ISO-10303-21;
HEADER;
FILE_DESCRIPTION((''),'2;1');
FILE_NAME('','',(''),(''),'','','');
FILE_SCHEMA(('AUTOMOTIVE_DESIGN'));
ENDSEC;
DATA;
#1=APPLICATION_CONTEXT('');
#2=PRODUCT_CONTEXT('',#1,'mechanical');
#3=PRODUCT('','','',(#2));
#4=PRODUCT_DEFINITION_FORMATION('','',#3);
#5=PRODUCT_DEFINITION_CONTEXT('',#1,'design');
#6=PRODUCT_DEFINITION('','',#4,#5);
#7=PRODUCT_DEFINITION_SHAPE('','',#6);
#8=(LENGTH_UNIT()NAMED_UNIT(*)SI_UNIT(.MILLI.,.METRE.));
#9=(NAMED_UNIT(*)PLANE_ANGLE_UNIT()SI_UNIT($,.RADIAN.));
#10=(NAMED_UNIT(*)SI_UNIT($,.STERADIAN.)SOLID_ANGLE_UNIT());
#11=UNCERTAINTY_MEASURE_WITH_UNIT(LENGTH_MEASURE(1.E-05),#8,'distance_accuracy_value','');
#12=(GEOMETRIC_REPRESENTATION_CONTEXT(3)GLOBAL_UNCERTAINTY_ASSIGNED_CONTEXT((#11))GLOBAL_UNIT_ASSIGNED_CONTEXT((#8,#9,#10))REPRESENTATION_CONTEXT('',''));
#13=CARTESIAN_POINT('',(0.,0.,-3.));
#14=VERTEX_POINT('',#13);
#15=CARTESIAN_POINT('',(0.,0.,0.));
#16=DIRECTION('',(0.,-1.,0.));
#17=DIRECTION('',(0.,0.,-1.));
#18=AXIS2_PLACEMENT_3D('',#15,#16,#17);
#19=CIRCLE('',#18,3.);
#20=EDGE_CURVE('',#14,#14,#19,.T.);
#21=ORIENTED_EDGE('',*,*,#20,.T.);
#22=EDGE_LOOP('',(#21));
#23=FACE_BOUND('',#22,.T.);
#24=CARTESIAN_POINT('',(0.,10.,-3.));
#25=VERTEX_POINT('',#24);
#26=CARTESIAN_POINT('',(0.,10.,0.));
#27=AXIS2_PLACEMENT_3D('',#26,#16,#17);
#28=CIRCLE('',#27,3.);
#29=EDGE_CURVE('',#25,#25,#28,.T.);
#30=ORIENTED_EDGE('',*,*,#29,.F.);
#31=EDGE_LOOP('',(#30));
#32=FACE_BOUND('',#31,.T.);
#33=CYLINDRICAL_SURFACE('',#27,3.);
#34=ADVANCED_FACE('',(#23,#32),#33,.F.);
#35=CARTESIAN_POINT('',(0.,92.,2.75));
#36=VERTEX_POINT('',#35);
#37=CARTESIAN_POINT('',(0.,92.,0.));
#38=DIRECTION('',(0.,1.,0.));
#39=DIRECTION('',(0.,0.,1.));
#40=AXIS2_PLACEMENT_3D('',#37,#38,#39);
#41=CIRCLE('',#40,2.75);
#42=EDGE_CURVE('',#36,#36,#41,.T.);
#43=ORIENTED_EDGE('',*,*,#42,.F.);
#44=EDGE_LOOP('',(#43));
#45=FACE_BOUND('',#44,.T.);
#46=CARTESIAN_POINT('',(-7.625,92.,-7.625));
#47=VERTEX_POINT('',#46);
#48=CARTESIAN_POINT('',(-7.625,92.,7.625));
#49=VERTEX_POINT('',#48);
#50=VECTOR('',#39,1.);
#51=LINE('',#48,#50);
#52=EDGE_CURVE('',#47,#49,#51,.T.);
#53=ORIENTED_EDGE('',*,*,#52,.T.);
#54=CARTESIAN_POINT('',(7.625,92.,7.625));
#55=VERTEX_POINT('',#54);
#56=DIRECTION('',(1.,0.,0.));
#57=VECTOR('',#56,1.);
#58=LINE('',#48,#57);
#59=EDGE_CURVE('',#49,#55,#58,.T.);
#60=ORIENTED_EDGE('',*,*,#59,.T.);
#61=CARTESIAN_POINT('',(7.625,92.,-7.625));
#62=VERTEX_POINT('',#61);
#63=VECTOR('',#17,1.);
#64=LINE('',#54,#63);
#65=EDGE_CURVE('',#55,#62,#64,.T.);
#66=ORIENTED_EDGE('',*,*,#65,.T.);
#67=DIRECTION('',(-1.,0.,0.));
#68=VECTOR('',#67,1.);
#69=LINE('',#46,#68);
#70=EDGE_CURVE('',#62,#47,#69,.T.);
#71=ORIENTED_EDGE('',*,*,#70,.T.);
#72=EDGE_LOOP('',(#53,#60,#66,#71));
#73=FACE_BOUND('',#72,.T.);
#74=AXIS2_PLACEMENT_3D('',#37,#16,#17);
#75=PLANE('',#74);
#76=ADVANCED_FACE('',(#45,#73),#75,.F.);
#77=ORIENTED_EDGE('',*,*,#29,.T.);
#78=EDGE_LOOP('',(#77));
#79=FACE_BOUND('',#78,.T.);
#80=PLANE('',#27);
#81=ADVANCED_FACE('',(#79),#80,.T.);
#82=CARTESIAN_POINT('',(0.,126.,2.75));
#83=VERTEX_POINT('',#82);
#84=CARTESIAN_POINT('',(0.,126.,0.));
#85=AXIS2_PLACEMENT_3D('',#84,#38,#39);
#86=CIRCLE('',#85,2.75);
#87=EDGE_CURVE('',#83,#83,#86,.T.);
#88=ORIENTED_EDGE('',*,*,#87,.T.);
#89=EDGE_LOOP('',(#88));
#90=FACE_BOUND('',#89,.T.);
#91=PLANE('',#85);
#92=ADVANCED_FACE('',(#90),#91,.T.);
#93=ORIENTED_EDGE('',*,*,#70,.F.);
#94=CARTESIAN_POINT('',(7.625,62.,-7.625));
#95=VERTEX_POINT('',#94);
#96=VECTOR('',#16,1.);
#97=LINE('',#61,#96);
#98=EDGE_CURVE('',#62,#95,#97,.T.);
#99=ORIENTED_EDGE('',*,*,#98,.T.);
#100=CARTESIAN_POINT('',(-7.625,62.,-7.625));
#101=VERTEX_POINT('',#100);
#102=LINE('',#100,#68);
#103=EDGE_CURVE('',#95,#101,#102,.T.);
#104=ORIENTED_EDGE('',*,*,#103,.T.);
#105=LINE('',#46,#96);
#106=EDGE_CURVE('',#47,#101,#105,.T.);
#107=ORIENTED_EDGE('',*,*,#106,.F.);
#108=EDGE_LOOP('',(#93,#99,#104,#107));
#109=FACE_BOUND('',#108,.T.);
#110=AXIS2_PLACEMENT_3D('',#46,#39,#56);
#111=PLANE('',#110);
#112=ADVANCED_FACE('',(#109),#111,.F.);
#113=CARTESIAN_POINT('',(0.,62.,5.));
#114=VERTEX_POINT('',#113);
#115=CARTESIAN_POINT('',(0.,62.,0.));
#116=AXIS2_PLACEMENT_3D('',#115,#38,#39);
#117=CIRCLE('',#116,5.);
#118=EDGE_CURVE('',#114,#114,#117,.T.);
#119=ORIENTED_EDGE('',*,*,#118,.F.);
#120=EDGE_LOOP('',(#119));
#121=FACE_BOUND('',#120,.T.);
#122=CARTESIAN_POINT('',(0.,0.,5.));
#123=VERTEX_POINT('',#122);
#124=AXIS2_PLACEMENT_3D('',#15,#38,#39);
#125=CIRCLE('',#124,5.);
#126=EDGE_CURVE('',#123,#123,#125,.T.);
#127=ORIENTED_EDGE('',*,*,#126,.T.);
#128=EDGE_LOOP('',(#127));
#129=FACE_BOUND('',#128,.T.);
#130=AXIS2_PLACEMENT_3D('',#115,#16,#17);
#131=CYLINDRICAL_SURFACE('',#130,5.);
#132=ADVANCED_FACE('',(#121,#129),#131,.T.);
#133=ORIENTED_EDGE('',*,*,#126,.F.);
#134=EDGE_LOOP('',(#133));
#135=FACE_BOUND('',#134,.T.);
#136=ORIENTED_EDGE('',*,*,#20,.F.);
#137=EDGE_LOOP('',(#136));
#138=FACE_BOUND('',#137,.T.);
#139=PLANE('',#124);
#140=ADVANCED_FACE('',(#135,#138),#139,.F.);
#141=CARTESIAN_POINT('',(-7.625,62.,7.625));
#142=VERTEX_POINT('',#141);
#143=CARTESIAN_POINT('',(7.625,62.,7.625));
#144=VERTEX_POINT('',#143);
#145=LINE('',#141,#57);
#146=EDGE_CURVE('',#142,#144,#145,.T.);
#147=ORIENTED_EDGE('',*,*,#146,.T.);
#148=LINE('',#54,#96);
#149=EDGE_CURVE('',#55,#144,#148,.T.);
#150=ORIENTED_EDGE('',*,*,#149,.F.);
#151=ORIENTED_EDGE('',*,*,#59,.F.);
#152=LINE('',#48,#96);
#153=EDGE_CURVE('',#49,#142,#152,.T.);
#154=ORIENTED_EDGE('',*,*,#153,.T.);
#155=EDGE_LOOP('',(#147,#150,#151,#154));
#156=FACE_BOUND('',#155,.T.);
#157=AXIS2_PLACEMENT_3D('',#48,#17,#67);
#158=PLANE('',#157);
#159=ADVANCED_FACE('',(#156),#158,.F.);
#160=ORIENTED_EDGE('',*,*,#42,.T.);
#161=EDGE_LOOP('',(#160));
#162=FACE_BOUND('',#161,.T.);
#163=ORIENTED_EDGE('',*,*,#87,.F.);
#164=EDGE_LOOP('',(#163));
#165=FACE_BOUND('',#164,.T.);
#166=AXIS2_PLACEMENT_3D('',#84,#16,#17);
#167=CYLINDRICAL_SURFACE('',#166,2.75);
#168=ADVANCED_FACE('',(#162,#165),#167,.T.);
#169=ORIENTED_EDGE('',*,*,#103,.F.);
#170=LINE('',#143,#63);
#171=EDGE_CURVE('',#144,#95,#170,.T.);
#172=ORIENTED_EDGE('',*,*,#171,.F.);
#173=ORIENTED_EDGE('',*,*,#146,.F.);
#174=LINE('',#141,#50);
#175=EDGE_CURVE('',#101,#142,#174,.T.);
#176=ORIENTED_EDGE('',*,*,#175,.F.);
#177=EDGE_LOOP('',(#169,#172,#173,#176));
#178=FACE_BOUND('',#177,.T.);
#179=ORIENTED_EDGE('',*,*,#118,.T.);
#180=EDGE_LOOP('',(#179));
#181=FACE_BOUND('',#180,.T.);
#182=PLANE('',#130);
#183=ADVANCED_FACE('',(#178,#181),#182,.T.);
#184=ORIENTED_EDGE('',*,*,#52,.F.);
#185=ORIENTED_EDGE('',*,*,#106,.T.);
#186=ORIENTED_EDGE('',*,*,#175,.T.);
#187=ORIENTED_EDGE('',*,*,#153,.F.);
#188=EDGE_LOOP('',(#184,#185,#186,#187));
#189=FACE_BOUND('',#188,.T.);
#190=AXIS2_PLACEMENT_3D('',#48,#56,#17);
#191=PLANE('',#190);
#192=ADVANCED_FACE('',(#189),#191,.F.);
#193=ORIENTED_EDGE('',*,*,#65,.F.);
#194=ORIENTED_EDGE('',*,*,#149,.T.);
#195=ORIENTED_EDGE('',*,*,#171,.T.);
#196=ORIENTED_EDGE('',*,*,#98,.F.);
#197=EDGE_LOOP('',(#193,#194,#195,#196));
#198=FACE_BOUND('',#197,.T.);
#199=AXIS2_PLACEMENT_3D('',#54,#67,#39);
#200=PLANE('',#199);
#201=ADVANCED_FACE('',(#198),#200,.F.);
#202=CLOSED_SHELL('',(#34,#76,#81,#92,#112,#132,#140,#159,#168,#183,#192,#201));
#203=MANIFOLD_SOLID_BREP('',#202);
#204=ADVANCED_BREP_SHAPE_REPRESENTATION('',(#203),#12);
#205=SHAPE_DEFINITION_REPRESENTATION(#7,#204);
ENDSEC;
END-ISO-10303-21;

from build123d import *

# Parameters (mm, degrees)
SKETCH1_R           = 5
BOSS_EXTRUDE1_DEPTH = 62
SKETCH3_W           = 15.25
SKETCH3_H           = 15.25
BOSS_EXTRUDE2_DEPTH = 30
SKETCH5_R           = 3
CUT_EXTRUDE1_DEPTH  = 10
SKETCH4_R           = 2.75
BOSS_EXTRUDE3_DEPTH = 34


with BuildPart() as part:
    # Sketch1 → Boss-Extrude1 (new body)
    with BuildSketch(Plane(origin=(0, 0, 0), x_dir=(1, 0, 0), z_dir=(0, 1, 0))):
        with Locations(Location((0, 0, 0), (0, 0, 270))):
            Circle(SKETCH1_R)
    extrude(amount=BOSS_EXTRUDE1_DEPTH)

    # Sketch3 → Boss-Extrude2 (add)
    with BuildSketch(Plane(origin=(0, 62, 0), x_dir=(1, 0, 0), z_dir=(0, 1, 0))):
        Rectangle(SKETCH3_W, SKETCH3_H)
    extrude(amount=BOSS_EXTRUDE2_DEPTH)

    # Sketch5 → Cut-Extrude1 (cut)
    with BuildSketch(Plane.XZ):
        with Locations(Location((0, 0, 0), (0, 0, 270))):
            Circle(SKETCH5_R)
    extrude(amount=-CUT_EXTRUDE1_DEPTH, mode=Mode.SUBTRACT)

    # Sketch4 → Boss-Extrude3 (add)
    with BuildSketch(Plane(origin=(0, 92, 0), x_dir=(1, 0, 0), z_dir=(0, 1, 0))):
        with Locations(Location((0, 0, 0), (0, 0, 270))):
            Circle(SKETCH4_R)
    extrude(amount=BOSS_EXTRUDE3_DEPTH)


solid = part.part
